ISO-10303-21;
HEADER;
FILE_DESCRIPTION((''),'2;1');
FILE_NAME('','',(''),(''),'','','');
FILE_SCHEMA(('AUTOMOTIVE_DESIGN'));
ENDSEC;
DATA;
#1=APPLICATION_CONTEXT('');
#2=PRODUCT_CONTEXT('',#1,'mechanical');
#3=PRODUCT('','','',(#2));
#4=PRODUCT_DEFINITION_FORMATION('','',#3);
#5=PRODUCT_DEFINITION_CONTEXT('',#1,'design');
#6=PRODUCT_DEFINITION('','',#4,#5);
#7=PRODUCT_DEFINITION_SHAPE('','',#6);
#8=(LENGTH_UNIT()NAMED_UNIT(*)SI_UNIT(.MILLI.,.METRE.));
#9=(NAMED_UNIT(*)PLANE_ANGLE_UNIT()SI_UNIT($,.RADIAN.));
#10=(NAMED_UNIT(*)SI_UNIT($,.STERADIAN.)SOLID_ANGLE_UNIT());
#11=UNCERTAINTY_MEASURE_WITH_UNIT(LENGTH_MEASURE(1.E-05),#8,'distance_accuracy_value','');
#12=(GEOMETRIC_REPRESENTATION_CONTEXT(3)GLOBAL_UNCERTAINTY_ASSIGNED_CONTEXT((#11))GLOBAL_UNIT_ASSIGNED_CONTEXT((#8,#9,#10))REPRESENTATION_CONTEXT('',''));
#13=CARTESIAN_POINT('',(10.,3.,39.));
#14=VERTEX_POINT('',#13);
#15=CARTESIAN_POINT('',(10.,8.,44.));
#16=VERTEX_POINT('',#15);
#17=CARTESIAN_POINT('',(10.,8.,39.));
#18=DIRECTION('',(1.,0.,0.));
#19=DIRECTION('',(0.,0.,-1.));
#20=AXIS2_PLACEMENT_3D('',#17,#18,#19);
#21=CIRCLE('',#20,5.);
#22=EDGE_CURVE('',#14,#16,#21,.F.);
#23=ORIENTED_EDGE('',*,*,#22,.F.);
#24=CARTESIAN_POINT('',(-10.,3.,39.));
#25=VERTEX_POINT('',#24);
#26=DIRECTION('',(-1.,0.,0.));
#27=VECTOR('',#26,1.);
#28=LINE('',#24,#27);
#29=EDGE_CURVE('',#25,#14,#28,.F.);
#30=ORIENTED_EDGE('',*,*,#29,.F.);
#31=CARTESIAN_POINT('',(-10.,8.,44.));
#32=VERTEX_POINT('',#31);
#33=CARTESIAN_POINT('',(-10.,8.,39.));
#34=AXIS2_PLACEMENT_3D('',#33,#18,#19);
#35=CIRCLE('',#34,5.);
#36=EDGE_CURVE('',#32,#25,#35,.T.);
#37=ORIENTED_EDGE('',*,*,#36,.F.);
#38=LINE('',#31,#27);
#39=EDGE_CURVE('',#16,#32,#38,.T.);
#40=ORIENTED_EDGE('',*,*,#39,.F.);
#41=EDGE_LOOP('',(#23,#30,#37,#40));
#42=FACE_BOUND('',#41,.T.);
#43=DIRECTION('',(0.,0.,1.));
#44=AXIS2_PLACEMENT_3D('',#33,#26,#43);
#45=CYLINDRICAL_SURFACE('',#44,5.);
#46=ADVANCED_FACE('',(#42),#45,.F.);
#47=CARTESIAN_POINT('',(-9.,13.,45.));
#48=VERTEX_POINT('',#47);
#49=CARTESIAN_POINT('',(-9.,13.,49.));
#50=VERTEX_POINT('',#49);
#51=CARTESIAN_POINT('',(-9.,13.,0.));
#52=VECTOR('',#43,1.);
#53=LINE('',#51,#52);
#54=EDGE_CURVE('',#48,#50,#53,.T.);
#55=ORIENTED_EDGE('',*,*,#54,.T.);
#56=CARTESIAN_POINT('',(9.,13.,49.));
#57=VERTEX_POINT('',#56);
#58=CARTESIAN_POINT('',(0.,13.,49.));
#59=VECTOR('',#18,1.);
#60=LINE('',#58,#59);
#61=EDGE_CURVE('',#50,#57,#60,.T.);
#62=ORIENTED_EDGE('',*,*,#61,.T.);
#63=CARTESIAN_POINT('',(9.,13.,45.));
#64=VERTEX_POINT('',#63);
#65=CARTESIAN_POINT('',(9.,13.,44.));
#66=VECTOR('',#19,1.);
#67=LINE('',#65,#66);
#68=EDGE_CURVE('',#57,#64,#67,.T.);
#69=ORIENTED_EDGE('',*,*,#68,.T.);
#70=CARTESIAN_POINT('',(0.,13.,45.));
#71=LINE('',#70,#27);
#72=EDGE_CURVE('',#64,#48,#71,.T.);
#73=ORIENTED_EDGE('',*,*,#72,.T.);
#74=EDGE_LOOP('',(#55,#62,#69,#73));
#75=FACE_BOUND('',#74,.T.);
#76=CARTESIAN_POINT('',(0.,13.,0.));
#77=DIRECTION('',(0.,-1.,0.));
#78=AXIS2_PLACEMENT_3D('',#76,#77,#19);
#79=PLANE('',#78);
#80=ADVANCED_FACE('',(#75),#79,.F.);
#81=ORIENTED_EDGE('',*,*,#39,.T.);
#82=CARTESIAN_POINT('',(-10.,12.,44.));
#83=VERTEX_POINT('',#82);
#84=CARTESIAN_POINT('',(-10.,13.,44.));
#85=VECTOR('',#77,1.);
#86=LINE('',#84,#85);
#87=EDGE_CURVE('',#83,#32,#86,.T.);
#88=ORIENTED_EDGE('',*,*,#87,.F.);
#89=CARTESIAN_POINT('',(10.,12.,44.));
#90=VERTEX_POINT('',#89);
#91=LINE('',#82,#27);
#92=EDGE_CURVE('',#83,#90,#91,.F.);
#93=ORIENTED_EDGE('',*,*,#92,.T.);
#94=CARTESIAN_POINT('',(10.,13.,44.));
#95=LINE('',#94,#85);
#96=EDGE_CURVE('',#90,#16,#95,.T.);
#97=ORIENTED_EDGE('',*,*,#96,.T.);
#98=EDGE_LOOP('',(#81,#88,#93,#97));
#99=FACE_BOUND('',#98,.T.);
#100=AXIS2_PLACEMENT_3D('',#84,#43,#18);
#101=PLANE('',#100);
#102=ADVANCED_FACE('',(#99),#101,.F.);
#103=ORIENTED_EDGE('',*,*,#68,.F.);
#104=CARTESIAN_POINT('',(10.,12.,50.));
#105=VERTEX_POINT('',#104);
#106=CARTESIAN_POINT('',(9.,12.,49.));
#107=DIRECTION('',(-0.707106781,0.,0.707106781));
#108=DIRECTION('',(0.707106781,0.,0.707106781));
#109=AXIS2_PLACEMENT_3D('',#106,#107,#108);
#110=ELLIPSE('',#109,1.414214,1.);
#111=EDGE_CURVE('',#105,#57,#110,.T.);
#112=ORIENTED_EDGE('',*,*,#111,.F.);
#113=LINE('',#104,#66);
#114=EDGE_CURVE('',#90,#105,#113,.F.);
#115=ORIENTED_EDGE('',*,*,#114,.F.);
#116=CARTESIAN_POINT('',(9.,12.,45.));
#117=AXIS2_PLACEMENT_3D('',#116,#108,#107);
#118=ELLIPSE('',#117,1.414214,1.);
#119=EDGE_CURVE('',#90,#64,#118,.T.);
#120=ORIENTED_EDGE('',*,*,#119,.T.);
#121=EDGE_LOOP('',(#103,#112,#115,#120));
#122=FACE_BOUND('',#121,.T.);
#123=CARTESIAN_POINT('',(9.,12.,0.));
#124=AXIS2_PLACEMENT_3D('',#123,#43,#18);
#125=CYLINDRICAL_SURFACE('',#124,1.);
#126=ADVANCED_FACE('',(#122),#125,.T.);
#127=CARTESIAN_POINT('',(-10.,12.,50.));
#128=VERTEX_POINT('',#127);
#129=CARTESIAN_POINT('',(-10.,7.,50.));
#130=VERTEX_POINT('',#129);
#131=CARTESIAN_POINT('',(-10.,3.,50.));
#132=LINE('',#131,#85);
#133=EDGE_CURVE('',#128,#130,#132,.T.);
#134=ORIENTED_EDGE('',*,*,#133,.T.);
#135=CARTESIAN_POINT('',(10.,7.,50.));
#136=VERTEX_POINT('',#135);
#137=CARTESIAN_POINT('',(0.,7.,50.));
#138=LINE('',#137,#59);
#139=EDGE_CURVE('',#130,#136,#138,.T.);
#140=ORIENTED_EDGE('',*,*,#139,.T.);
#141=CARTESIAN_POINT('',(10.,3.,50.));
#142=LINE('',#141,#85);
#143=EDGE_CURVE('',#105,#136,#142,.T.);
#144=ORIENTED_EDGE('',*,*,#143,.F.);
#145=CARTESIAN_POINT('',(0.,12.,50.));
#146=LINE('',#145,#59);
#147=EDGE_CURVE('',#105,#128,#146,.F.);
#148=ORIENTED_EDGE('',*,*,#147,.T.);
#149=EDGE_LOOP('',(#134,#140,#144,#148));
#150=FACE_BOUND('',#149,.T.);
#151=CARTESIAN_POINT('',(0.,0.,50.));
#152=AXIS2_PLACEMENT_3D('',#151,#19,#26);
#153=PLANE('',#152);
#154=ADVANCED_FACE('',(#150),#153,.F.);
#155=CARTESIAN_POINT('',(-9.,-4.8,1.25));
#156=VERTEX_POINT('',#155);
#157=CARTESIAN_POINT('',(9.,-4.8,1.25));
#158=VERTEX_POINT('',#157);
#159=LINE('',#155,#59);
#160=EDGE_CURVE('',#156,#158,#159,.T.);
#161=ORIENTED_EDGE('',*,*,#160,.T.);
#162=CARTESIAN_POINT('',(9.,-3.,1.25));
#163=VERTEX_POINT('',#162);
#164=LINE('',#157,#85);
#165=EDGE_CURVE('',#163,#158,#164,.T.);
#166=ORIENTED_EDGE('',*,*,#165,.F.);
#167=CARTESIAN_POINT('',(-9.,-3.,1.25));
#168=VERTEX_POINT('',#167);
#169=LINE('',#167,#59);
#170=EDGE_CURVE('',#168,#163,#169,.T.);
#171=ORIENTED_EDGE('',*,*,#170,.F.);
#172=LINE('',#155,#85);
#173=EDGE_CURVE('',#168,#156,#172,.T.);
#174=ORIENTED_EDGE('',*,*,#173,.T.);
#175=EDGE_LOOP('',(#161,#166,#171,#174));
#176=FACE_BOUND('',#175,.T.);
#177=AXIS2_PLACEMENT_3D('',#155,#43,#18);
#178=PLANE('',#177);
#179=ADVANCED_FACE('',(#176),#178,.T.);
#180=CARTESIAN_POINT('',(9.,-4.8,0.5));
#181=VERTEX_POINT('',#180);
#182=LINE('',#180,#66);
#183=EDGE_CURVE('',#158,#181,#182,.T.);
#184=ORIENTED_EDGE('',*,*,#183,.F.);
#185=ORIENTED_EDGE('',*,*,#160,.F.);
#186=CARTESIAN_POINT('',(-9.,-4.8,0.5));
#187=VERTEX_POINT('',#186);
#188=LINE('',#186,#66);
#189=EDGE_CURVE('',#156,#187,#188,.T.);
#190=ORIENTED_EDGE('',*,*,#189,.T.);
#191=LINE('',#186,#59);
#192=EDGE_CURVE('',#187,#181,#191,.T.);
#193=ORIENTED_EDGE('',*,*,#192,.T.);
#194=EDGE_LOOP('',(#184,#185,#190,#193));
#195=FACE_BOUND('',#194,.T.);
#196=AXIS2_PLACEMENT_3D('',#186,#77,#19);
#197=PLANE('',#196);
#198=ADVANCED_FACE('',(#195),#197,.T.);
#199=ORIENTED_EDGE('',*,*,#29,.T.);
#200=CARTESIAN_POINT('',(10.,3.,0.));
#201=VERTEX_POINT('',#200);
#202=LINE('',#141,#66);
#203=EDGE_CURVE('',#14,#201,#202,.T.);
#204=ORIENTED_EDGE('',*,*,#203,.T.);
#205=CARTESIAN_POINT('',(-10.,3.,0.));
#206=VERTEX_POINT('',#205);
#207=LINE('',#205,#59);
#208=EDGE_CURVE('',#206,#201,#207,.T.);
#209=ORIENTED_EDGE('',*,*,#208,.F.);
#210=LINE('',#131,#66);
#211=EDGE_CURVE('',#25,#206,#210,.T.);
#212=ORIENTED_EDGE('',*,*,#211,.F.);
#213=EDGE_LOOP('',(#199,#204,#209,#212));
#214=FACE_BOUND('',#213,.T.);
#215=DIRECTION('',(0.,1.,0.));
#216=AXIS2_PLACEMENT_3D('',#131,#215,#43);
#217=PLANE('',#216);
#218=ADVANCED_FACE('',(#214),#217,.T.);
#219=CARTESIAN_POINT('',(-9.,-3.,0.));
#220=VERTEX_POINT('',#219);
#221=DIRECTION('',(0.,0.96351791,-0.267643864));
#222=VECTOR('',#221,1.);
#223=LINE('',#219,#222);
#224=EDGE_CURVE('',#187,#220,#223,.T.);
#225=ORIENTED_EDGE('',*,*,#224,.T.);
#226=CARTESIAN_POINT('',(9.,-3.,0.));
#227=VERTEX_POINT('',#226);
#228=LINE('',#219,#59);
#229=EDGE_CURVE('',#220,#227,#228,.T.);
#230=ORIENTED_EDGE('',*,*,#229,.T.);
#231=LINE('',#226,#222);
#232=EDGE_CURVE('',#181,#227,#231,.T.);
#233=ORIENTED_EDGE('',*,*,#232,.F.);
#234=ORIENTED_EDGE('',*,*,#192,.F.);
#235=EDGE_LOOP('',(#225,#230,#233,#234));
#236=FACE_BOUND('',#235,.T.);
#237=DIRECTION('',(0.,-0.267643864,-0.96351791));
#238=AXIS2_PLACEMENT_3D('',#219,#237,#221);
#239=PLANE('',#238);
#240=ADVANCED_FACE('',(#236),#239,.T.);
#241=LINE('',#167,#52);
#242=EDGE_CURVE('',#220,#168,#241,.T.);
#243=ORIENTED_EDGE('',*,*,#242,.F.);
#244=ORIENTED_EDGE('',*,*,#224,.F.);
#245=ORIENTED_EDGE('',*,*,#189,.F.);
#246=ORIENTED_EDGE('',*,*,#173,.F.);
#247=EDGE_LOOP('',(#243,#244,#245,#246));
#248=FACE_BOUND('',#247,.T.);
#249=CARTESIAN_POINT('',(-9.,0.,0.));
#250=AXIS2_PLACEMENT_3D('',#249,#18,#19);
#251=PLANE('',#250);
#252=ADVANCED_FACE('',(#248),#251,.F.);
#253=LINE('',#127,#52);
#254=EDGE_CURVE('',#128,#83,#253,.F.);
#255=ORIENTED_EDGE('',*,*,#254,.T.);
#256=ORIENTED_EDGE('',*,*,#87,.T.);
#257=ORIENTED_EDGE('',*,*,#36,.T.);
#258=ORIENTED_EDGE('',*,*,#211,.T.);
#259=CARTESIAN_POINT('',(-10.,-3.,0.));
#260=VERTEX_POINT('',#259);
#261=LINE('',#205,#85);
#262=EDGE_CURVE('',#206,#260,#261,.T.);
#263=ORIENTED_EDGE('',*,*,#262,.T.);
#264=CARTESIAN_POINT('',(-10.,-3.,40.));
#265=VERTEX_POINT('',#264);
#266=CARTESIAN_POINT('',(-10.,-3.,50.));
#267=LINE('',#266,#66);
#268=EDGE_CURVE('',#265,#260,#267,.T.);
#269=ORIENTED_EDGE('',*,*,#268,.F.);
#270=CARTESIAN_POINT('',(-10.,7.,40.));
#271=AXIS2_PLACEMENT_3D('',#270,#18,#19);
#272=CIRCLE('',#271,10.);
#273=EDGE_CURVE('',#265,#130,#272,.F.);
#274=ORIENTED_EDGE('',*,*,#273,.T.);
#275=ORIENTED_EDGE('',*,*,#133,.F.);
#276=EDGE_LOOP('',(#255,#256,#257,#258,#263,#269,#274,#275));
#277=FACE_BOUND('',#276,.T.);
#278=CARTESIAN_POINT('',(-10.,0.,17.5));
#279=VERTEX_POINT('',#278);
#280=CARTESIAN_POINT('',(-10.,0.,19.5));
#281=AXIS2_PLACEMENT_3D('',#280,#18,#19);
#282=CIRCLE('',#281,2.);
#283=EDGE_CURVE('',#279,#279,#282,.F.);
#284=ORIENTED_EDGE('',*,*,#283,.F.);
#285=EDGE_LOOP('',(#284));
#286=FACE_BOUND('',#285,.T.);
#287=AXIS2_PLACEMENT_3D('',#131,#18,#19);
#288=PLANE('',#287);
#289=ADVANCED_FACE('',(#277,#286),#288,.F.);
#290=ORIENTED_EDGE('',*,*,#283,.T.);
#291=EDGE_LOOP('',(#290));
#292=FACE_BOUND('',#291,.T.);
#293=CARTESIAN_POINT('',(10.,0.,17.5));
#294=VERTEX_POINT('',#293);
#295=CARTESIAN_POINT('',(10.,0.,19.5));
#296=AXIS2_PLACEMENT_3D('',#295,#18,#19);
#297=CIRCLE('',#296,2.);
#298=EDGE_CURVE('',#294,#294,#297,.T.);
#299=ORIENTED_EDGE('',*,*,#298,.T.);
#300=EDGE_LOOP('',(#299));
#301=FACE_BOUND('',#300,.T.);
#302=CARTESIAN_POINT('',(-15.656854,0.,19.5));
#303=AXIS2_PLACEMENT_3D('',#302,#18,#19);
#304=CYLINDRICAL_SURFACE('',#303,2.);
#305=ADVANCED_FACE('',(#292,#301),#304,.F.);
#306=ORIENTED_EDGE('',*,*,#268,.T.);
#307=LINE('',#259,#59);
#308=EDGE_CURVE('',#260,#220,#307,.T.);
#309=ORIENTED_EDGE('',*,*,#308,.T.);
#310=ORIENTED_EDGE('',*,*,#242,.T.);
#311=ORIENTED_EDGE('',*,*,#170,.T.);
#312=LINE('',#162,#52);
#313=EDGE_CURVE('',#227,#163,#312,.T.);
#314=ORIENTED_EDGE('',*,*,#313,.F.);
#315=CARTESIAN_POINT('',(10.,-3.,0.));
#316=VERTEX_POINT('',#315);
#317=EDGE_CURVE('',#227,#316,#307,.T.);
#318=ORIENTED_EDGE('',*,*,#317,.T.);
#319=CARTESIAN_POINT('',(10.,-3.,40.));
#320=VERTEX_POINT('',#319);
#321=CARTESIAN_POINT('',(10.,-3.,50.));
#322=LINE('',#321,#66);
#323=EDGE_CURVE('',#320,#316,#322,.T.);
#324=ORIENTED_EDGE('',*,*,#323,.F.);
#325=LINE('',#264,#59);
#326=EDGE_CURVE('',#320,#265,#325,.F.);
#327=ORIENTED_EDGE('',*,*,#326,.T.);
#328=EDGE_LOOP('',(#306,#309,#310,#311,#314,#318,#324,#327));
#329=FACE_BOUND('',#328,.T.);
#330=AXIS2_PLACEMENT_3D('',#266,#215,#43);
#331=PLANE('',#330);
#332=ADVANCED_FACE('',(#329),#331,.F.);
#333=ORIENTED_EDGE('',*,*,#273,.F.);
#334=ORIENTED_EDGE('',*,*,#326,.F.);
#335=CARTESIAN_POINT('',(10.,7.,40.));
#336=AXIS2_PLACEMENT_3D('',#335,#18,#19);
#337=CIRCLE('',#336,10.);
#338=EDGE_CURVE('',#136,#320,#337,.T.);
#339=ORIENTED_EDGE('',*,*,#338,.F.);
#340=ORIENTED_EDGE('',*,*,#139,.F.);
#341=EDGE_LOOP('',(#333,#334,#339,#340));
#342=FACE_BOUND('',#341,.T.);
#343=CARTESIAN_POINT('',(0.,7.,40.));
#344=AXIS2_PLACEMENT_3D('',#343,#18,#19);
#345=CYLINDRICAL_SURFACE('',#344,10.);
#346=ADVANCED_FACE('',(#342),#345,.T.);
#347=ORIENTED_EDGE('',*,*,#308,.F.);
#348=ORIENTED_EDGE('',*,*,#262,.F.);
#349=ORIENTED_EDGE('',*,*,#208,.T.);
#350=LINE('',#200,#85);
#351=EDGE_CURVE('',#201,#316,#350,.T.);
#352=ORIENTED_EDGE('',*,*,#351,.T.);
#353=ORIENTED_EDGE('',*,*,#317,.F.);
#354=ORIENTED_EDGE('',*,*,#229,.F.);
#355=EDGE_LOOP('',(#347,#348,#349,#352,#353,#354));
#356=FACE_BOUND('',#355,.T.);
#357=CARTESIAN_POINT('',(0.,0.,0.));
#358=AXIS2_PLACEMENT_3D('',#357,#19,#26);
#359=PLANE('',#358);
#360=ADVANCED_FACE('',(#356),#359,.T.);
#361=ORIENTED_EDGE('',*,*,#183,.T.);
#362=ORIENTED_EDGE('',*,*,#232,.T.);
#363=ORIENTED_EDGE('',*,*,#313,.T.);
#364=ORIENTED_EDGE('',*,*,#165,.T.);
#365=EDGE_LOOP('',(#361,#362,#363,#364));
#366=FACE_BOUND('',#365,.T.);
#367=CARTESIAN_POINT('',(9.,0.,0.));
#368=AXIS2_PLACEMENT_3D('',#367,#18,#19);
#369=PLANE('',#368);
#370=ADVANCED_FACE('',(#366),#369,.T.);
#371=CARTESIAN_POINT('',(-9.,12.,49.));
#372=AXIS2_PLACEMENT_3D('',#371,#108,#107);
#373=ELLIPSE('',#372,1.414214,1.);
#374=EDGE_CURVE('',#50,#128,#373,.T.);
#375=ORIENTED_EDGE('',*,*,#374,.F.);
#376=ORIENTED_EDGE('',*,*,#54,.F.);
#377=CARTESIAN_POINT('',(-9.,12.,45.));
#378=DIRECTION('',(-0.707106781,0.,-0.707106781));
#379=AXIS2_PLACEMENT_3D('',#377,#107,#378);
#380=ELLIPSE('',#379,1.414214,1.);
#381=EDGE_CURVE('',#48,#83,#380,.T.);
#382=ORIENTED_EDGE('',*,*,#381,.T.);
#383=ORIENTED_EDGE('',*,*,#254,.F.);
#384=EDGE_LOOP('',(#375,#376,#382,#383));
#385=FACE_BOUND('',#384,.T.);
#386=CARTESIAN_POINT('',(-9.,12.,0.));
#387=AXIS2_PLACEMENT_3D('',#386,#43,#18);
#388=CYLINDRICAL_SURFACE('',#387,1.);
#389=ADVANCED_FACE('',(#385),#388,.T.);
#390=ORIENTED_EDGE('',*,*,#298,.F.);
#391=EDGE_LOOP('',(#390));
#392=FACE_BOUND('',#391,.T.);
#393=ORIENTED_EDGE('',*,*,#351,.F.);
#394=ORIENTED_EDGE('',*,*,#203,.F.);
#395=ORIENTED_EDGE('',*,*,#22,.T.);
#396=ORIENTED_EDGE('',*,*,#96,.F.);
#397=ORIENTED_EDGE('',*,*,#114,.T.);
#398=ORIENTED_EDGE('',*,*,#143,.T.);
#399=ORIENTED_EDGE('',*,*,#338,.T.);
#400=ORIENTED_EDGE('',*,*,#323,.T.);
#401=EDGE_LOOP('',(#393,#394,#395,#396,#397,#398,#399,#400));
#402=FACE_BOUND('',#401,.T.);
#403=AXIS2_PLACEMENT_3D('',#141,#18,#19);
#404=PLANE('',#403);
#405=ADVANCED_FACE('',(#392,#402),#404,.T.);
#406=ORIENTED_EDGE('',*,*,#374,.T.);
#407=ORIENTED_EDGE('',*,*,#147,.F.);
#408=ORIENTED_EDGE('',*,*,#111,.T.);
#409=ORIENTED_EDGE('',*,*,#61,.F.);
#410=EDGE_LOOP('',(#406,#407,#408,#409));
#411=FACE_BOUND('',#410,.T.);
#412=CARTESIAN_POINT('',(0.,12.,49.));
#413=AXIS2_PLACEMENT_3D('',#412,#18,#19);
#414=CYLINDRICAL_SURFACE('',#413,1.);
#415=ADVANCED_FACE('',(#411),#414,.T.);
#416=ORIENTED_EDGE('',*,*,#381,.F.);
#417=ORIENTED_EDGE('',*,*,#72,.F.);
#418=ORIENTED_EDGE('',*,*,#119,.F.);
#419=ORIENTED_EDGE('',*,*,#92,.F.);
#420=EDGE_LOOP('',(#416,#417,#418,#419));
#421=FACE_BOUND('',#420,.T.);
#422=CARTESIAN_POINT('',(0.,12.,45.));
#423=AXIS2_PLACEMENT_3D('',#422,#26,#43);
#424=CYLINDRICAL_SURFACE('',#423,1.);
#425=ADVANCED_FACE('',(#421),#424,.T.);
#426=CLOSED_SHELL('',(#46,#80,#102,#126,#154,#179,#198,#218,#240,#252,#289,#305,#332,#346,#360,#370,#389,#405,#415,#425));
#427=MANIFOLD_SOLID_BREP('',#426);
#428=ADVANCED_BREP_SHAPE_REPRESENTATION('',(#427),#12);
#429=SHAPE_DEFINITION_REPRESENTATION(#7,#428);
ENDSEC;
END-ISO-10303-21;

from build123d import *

# Parameters (mm, degrees)
SKETCH2_W                = 20
SKETCH2_H                = 6
BOSS_EXTRUDE1_DEPTH      = 50
BOSS_EXTRUDE3_DEPTH      = 9
BOSS_EXTRUDE3_DEPTH_BACK = 9
SKETCH6_R                = 2
CUT_EXTRUDE1_DEPTH       = 20
SKETCH7_W                = 20
SKETCH7_H                = 6
BOSS_EXTRUDE4_DEPTH      = 10
FILLET1_R                = 10
FILLET2_R                = 5
FILLET3_R                = 1


with BuildPart() as part:
    # Sketch2 → Boss-Extrude1 (new body)
    with BuildSketch(Plane.XY):
        Rectangle(SKETCH2_W, SKETCH2_H)
    extrude(amount=BOSS_EXTRUDE1_DEPTH)

    # Sketch5 → Boss-Extrude3 (add, two sides: drawn at the far end of the back side and taken through both)
    with BuildSketch(Plane(origin=(0, 0, 0), x_dir=(0, 0, -1), z_dir=(1, 0, 0)).offset(-BOSS_EXTRUDE3_DEPTH_BACK)):
        Polygon((0, -3), (-0.5, -4.8), (-1.25, -4.8), (-1.25, -3), align=None)
    extrude(amount=BOSS_EXTRUDE3_DEPTH + BOSS_EXTRUDE3_DEPTH_BACK)

    # Sketch6 → Cut-Extrude1 (cut)
    with BuildSketch(Plane(origin=(10, 0, 0), x_dir=(0, 0, -1), z_dir=(1, 0, 0))):
        with Locations((-19.5, 0)):
            Circle(SKETCH6_R)
    extrude(amount=-CUT_EXTRUDE1_DEPTH, mode=Mode.SUBTRACT)

    # Sketch7 → Boss-Extrude4 (add)
    with BuildSketch(Plane(origin=(0, 3, 0), x_dir=(1, 0, 0), z_dir=(0, 1, 0))):
        with Locations((0, -47)):
            Rectangle(SKETCH7_W, SKETCH7_H)
    extrude(amount=BOSS_EXTRUDE4_DEPTH)

    # Fillet1
    fillet1_edges = [part.edges().sort_by_distance(p)[0] for p in [
        (0, -3, 50),
    ]]
    fillet(fillet1_edges, radius=FILLET1_R)

    # Fillet2
    fillet2_edges = [part.edges().sort_by_distance(p)[0] for p in [
        (0, 3, 44),
    ]]
    fillet(fillet2_edges, radius=FILLET2_R)

    # Fillet3
    fillet3_edges = [part.edges().sort_by_distance(p)[0] for p in [
        (-10, 13, 47),
        (0, 13, 50),
        (10, 13, 47),
        (0, 13, 44),
    ]]
    fillet(fillet3_edges, radius=FILLET3_R)


solid = part.part
